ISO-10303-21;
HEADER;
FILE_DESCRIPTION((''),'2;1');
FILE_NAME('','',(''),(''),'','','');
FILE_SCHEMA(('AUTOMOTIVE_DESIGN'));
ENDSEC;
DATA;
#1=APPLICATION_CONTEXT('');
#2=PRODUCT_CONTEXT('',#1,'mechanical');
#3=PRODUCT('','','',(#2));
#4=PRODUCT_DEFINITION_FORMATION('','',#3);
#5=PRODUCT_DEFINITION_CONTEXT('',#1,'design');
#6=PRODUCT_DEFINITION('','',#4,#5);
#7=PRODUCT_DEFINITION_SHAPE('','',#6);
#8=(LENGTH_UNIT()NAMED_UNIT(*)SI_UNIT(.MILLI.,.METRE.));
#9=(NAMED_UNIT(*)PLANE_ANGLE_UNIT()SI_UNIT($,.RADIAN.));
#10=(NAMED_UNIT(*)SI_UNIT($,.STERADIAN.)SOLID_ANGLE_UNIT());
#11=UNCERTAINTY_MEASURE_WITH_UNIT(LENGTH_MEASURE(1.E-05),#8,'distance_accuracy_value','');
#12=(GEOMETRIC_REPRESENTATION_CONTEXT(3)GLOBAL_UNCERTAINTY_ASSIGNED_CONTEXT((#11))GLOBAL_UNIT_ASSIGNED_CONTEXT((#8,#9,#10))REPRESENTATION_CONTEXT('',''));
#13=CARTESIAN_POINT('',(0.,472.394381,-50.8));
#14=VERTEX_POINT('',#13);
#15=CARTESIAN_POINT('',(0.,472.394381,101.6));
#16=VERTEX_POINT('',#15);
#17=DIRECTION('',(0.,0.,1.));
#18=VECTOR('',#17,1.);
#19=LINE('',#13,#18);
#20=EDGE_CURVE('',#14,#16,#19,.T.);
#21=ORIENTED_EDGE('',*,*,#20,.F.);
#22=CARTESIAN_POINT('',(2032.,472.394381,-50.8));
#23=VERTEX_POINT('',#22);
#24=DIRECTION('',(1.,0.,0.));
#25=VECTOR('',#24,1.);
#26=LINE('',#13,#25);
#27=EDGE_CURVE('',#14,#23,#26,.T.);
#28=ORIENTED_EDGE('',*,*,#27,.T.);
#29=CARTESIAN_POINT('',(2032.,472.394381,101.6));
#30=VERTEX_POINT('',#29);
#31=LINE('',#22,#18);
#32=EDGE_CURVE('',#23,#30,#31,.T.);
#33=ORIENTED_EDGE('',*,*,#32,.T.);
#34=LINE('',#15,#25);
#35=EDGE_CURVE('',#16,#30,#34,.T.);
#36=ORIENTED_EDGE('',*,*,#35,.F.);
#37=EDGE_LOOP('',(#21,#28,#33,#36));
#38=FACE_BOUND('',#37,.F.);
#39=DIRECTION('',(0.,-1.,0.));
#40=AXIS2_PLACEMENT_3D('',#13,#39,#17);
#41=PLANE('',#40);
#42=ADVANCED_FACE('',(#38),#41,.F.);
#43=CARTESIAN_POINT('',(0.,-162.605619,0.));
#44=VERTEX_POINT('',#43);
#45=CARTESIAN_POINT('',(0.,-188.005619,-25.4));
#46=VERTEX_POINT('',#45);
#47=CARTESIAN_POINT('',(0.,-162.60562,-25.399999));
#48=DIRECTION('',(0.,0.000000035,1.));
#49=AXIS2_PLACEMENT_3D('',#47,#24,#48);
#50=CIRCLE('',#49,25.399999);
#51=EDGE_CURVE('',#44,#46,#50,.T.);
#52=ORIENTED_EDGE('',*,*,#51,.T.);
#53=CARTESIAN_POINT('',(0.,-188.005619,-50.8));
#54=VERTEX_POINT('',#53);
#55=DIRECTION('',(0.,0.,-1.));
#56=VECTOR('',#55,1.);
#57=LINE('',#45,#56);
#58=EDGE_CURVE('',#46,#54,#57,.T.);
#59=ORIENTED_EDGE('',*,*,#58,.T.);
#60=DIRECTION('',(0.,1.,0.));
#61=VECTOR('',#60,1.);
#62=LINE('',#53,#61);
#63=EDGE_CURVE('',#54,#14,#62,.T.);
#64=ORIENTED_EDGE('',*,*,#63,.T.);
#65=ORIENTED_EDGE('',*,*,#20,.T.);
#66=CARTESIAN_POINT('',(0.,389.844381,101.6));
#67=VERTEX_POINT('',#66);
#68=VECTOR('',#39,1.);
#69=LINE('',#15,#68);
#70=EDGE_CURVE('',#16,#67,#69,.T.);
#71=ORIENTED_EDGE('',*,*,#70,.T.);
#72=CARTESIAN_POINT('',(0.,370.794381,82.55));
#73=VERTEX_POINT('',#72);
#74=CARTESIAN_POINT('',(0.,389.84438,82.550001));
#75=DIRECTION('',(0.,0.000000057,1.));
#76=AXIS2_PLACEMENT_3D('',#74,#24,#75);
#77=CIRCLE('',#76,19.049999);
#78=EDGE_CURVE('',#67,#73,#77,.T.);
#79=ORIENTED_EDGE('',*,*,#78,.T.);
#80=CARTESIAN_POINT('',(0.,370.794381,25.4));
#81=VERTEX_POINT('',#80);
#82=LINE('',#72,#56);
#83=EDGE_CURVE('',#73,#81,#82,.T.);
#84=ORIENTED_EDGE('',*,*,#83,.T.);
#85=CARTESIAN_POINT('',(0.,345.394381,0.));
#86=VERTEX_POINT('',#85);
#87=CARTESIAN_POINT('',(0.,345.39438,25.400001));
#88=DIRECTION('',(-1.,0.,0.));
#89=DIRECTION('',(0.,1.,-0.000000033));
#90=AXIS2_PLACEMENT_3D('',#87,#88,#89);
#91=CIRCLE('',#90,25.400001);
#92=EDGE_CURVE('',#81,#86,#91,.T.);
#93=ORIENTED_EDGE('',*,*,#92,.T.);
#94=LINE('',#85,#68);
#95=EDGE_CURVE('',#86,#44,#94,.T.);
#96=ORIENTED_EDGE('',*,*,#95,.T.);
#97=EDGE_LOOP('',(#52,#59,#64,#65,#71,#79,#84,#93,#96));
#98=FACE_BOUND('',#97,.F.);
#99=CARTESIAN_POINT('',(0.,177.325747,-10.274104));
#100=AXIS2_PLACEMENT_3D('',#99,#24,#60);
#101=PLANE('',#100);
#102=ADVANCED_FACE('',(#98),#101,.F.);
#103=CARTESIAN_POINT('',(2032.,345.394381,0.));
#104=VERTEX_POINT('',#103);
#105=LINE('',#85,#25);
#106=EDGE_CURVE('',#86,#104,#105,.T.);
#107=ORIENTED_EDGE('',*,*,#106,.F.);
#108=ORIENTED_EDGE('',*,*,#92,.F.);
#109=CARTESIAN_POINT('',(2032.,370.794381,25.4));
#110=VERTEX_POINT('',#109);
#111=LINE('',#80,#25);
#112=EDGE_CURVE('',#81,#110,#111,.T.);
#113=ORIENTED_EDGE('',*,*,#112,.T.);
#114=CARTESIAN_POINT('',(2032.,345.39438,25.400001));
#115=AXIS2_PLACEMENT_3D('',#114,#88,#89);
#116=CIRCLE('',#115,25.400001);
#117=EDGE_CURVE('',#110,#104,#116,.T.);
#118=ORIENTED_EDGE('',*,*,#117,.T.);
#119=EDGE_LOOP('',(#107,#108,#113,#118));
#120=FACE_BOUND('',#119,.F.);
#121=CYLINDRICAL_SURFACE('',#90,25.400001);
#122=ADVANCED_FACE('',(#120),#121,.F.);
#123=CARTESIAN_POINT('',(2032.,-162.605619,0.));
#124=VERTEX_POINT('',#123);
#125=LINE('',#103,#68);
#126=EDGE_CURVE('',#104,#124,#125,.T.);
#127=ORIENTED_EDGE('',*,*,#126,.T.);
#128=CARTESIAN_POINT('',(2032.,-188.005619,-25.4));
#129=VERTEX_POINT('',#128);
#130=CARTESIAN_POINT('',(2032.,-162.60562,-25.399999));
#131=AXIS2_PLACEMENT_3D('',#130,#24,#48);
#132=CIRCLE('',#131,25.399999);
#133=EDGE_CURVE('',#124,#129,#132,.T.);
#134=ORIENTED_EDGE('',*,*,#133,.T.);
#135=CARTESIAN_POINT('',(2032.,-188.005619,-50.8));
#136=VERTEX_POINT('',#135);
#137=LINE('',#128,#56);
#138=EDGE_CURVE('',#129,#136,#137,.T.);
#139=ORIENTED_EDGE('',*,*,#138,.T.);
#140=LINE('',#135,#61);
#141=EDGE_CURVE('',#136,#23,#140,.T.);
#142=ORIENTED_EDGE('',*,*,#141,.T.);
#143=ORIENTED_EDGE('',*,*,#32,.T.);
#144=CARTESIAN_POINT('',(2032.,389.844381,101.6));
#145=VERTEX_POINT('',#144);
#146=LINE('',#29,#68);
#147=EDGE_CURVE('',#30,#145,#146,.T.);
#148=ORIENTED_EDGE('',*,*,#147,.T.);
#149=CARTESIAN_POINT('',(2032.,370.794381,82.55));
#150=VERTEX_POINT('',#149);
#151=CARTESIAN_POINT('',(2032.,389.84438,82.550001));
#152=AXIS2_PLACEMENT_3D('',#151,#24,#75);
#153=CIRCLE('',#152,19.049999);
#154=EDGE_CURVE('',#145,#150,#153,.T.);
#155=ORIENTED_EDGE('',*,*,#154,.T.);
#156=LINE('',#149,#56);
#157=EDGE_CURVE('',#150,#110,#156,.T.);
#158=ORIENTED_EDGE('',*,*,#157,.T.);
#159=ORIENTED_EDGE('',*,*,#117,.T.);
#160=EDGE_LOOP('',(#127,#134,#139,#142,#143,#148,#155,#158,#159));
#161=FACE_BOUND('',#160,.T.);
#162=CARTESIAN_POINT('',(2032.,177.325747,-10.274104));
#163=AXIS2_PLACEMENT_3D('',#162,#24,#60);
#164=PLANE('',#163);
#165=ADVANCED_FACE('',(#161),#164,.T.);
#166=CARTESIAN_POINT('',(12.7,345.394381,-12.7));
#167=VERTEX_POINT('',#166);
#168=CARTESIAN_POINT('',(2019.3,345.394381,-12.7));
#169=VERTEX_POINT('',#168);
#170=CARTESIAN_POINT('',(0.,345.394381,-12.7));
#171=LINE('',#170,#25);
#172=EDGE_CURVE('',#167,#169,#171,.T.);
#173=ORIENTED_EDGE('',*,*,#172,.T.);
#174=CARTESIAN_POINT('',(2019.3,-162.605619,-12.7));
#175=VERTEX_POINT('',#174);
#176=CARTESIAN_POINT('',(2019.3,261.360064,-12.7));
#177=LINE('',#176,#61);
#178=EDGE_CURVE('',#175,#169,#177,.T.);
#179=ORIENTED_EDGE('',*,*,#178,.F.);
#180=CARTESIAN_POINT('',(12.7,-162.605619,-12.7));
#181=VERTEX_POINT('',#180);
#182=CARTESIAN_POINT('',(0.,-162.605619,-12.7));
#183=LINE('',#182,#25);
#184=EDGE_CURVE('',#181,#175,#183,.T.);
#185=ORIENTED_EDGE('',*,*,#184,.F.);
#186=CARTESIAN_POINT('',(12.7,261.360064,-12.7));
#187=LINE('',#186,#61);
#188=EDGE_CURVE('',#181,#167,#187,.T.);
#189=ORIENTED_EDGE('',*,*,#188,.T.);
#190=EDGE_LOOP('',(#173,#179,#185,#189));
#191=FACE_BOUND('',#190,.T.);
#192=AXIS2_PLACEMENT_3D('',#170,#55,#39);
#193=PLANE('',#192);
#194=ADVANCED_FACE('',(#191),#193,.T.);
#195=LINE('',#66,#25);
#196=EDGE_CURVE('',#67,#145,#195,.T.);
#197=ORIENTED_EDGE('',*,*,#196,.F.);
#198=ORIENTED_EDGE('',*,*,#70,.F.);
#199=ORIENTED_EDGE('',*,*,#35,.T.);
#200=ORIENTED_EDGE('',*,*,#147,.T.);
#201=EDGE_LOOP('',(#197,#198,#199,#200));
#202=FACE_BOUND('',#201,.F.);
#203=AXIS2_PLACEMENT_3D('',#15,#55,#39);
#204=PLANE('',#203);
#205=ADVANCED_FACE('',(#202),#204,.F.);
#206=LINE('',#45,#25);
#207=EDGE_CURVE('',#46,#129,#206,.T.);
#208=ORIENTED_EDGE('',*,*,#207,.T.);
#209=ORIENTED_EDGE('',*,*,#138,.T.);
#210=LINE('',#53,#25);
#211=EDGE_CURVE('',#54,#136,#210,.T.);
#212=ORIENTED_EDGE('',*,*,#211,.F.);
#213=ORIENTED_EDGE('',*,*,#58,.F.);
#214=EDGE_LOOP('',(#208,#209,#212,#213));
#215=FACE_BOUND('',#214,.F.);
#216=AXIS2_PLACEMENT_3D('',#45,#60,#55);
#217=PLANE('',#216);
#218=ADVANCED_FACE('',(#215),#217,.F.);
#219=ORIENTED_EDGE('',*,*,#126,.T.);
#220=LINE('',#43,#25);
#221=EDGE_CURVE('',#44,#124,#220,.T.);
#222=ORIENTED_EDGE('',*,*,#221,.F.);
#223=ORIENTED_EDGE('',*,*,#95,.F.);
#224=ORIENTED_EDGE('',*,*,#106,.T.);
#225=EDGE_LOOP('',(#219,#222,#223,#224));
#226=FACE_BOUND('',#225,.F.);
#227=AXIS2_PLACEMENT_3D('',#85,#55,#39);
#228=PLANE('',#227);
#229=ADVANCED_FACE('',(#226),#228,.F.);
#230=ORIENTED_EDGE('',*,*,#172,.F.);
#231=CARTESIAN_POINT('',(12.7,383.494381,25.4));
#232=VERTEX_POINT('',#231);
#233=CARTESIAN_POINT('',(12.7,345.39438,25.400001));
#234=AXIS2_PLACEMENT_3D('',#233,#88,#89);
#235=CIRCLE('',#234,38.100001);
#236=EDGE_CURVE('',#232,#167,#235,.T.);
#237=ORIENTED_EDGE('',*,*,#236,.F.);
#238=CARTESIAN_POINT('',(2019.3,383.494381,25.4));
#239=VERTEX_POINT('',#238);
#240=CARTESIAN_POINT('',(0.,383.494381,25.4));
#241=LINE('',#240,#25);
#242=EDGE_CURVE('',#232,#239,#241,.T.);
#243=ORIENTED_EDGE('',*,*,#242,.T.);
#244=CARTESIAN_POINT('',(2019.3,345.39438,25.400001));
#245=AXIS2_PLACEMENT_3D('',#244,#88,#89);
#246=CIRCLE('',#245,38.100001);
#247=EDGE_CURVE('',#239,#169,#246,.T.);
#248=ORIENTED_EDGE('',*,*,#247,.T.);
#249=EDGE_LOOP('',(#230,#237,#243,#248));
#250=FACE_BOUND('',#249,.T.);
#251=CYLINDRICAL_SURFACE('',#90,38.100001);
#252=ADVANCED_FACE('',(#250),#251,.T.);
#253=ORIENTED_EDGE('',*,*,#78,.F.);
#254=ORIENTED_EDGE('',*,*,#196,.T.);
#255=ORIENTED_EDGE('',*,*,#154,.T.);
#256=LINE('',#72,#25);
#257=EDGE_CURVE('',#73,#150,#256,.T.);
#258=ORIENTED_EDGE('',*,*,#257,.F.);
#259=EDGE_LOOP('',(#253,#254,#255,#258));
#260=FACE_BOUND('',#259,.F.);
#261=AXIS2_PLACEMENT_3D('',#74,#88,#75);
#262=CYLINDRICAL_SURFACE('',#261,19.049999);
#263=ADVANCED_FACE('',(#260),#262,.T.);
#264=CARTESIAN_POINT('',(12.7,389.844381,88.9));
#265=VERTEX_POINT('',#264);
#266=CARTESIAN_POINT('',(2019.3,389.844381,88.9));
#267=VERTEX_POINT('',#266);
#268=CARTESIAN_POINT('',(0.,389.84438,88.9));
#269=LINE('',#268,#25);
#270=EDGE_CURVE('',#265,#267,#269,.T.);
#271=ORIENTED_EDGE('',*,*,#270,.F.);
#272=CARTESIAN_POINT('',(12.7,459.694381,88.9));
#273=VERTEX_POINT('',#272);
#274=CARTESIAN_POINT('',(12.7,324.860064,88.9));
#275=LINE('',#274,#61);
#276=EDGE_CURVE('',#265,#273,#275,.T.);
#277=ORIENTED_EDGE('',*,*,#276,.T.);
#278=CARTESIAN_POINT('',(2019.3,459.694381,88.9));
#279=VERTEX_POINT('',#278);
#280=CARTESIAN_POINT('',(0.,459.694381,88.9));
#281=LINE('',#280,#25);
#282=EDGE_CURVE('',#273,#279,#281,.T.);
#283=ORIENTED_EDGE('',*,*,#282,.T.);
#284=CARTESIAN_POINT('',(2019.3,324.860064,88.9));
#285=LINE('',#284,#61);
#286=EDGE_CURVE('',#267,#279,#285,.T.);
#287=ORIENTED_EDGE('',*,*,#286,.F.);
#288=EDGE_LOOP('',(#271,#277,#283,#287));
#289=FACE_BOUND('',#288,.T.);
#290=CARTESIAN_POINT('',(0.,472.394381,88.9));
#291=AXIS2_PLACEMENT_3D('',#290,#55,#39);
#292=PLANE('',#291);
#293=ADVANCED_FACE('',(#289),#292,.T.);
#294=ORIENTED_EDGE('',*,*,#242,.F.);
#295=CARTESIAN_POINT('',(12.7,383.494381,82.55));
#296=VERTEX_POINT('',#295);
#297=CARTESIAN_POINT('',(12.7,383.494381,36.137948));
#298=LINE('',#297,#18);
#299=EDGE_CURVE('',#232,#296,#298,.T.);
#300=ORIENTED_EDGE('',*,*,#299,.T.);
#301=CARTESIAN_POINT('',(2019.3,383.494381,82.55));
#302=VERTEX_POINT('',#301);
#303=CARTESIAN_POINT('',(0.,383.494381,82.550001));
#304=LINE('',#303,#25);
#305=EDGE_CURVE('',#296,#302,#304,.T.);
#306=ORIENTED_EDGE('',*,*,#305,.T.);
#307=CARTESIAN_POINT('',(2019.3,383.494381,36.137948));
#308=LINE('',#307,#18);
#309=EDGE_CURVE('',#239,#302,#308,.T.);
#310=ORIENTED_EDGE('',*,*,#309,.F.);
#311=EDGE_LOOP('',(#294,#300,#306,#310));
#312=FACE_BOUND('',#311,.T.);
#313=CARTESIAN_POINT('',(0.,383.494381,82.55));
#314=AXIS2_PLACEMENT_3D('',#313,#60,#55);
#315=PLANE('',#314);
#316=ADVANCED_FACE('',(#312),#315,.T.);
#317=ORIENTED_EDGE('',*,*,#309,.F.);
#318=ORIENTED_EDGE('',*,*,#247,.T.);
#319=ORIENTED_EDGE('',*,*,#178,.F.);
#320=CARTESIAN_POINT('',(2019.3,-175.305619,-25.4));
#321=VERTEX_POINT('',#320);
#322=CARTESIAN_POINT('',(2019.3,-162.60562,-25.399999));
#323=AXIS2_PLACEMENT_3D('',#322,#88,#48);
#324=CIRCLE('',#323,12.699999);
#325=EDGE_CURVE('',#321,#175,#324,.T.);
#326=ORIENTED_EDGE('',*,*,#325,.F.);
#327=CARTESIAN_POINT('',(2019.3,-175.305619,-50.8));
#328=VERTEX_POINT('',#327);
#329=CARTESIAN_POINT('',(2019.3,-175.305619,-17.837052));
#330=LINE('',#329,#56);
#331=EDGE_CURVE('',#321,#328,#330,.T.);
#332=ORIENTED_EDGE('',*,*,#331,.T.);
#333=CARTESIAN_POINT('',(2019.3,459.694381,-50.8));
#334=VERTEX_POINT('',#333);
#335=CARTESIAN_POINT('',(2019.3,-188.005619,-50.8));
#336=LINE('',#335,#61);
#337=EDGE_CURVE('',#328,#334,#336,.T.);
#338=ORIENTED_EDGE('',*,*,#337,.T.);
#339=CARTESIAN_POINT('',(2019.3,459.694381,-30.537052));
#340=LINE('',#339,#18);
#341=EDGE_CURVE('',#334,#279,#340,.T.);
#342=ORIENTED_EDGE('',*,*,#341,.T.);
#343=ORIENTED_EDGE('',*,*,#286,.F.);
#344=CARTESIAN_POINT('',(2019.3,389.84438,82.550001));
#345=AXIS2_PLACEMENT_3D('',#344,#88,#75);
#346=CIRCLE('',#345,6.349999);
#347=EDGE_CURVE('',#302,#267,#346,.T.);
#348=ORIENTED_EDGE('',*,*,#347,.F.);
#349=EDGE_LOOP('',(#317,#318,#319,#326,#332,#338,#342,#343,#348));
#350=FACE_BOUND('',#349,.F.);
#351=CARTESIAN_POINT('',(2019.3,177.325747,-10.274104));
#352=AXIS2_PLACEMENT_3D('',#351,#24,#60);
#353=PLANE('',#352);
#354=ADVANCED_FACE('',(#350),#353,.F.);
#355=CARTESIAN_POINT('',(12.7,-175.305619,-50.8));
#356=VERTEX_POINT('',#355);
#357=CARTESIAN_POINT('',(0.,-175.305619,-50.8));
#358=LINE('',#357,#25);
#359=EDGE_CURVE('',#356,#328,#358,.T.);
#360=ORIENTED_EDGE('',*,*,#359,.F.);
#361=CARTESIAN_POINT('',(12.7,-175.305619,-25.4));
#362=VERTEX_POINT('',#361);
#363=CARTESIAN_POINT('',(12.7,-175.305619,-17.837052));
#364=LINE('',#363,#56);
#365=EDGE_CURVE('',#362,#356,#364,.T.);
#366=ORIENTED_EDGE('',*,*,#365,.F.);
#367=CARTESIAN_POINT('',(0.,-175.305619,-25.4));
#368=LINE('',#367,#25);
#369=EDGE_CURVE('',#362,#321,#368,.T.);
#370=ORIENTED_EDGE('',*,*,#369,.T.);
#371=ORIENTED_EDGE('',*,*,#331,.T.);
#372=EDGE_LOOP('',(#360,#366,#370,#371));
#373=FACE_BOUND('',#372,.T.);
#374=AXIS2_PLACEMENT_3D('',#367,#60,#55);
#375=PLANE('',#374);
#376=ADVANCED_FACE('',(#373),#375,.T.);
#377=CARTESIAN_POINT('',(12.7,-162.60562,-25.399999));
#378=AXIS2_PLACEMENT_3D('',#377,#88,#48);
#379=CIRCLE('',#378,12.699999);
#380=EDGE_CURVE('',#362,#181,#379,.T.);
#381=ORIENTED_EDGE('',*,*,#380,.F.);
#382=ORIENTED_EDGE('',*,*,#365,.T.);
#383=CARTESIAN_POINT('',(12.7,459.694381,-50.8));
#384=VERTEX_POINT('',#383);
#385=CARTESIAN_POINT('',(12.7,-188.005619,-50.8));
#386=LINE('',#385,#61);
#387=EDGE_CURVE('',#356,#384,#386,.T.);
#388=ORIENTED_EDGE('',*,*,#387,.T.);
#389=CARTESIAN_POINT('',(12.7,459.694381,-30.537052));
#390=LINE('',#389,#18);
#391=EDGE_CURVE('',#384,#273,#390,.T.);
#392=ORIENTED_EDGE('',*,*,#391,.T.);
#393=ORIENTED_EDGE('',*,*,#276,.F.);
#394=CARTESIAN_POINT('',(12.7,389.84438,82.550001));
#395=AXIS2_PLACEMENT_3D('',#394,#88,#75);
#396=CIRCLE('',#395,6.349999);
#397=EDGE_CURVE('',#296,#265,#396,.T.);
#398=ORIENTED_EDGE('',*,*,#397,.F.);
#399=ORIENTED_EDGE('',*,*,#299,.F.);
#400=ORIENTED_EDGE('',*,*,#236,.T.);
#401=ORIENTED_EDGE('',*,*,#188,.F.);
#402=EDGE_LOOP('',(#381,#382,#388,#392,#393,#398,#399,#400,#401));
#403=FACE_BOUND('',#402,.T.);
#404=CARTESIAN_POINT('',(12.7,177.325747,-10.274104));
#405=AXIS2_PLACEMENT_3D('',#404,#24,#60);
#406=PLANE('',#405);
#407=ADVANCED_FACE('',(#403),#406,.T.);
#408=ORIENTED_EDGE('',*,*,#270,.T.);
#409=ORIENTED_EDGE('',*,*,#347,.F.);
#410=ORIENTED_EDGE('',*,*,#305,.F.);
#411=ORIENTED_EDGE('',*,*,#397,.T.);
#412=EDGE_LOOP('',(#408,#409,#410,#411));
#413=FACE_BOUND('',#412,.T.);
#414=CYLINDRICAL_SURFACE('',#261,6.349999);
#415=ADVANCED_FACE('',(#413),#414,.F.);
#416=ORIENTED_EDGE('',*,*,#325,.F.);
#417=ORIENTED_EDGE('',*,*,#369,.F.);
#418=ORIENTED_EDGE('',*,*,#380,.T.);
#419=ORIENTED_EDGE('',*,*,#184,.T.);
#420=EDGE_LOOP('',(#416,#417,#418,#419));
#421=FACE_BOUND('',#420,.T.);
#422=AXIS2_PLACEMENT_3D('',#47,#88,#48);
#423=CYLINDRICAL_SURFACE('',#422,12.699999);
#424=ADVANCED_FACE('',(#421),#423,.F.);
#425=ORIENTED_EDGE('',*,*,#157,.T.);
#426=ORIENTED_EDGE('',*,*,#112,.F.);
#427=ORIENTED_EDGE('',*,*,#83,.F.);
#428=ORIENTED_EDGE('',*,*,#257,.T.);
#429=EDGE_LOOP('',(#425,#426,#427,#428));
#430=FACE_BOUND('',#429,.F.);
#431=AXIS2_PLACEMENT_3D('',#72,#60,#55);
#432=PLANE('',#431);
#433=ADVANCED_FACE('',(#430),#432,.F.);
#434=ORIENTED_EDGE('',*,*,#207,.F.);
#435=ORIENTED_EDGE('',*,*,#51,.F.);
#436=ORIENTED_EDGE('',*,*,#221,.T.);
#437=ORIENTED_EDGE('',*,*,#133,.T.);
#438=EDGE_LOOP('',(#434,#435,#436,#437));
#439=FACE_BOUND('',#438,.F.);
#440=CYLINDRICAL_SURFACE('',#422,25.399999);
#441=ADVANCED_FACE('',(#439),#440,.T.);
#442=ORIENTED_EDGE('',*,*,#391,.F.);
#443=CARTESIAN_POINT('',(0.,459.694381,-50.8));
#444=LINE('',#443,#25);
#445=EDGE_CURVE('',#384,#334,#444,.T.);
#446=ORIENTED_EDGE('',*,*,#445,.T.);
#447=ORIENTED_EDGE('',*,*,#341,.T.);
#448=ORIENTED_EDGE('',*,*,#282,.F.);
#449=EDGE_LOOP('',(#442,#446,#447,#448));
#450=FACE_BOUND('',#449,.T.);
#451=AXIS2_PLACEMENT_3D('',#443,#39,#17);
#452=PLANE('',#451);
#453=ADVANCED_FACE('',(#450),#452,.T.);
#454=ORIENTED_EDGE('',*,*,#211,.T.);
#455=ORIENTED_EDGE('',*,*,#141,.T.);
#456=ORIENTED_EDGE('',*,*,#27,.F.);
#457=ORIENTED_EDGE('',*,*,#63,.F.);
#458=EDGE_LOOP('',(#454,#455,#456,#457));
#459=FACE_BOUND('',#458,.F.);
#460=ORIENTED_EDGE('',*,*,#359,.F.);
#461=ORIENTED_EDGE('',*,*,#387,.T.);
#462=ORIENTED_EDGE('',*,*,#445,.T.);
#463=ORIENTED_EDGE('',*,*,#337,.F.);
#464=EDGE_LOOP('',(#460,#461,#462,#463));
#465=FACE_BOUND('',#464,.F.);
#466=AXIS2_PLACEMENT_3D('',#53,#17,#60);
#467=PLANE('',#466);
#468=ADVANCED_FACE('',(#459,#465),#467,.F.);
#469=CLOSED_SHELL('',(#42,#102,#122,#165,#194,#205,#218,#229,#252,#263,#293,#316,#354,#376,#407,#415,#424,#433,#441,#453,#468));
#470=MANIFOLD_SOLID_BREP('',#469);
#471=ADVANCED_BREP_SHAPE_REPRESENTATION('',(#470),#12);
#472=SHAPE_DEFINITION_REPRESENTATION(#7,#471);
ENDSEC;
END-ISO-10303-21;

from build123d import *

# Parameters (mm, degrees)
F1_DEPTH = 2032
F2_T     = -12.7


with BuildPart() as f1:
    # F0 (on Right) → F1 (new body)
    with BuildSketch(Plane.YZ):
        with BuildLine():
            Line((345.394381, 0), (-162.605619, 0))
            ThreePointArc((-162.605619, 0), (-180.566132, -7.439488), (-188.005619, -25.4))
            Line((-188.005619, -25.4), (-188.005619, -50.8))
            Line((-188.005619, -50.8), (472.394381, -50.8))
            Line((472.394381, -50.8), (472.394381, 101.6))
            Line((472.394381, 101.6), (389.844381, 101.6))
            ThreePointArc((389.844381, 101.6), (376.373996, 96.020384), (370.794381, 82.55))
            Line((370.794381, 82.55), (370.794381, 25.4))
            ThreePointArc((370.794381, 25.4), (363.354893, 7.439488), (345.394381, 0))
        make_face()
    extrude(amount=F1_DEPTH)

    # F2
    f2_openings = [f1.faces().sort_by_distance(p)[0] for p in [
        (1016, 142.194381, -50.8),
    ]]
    offset(amount=F2_T, openings=f2_openings)


solid = f1.part
